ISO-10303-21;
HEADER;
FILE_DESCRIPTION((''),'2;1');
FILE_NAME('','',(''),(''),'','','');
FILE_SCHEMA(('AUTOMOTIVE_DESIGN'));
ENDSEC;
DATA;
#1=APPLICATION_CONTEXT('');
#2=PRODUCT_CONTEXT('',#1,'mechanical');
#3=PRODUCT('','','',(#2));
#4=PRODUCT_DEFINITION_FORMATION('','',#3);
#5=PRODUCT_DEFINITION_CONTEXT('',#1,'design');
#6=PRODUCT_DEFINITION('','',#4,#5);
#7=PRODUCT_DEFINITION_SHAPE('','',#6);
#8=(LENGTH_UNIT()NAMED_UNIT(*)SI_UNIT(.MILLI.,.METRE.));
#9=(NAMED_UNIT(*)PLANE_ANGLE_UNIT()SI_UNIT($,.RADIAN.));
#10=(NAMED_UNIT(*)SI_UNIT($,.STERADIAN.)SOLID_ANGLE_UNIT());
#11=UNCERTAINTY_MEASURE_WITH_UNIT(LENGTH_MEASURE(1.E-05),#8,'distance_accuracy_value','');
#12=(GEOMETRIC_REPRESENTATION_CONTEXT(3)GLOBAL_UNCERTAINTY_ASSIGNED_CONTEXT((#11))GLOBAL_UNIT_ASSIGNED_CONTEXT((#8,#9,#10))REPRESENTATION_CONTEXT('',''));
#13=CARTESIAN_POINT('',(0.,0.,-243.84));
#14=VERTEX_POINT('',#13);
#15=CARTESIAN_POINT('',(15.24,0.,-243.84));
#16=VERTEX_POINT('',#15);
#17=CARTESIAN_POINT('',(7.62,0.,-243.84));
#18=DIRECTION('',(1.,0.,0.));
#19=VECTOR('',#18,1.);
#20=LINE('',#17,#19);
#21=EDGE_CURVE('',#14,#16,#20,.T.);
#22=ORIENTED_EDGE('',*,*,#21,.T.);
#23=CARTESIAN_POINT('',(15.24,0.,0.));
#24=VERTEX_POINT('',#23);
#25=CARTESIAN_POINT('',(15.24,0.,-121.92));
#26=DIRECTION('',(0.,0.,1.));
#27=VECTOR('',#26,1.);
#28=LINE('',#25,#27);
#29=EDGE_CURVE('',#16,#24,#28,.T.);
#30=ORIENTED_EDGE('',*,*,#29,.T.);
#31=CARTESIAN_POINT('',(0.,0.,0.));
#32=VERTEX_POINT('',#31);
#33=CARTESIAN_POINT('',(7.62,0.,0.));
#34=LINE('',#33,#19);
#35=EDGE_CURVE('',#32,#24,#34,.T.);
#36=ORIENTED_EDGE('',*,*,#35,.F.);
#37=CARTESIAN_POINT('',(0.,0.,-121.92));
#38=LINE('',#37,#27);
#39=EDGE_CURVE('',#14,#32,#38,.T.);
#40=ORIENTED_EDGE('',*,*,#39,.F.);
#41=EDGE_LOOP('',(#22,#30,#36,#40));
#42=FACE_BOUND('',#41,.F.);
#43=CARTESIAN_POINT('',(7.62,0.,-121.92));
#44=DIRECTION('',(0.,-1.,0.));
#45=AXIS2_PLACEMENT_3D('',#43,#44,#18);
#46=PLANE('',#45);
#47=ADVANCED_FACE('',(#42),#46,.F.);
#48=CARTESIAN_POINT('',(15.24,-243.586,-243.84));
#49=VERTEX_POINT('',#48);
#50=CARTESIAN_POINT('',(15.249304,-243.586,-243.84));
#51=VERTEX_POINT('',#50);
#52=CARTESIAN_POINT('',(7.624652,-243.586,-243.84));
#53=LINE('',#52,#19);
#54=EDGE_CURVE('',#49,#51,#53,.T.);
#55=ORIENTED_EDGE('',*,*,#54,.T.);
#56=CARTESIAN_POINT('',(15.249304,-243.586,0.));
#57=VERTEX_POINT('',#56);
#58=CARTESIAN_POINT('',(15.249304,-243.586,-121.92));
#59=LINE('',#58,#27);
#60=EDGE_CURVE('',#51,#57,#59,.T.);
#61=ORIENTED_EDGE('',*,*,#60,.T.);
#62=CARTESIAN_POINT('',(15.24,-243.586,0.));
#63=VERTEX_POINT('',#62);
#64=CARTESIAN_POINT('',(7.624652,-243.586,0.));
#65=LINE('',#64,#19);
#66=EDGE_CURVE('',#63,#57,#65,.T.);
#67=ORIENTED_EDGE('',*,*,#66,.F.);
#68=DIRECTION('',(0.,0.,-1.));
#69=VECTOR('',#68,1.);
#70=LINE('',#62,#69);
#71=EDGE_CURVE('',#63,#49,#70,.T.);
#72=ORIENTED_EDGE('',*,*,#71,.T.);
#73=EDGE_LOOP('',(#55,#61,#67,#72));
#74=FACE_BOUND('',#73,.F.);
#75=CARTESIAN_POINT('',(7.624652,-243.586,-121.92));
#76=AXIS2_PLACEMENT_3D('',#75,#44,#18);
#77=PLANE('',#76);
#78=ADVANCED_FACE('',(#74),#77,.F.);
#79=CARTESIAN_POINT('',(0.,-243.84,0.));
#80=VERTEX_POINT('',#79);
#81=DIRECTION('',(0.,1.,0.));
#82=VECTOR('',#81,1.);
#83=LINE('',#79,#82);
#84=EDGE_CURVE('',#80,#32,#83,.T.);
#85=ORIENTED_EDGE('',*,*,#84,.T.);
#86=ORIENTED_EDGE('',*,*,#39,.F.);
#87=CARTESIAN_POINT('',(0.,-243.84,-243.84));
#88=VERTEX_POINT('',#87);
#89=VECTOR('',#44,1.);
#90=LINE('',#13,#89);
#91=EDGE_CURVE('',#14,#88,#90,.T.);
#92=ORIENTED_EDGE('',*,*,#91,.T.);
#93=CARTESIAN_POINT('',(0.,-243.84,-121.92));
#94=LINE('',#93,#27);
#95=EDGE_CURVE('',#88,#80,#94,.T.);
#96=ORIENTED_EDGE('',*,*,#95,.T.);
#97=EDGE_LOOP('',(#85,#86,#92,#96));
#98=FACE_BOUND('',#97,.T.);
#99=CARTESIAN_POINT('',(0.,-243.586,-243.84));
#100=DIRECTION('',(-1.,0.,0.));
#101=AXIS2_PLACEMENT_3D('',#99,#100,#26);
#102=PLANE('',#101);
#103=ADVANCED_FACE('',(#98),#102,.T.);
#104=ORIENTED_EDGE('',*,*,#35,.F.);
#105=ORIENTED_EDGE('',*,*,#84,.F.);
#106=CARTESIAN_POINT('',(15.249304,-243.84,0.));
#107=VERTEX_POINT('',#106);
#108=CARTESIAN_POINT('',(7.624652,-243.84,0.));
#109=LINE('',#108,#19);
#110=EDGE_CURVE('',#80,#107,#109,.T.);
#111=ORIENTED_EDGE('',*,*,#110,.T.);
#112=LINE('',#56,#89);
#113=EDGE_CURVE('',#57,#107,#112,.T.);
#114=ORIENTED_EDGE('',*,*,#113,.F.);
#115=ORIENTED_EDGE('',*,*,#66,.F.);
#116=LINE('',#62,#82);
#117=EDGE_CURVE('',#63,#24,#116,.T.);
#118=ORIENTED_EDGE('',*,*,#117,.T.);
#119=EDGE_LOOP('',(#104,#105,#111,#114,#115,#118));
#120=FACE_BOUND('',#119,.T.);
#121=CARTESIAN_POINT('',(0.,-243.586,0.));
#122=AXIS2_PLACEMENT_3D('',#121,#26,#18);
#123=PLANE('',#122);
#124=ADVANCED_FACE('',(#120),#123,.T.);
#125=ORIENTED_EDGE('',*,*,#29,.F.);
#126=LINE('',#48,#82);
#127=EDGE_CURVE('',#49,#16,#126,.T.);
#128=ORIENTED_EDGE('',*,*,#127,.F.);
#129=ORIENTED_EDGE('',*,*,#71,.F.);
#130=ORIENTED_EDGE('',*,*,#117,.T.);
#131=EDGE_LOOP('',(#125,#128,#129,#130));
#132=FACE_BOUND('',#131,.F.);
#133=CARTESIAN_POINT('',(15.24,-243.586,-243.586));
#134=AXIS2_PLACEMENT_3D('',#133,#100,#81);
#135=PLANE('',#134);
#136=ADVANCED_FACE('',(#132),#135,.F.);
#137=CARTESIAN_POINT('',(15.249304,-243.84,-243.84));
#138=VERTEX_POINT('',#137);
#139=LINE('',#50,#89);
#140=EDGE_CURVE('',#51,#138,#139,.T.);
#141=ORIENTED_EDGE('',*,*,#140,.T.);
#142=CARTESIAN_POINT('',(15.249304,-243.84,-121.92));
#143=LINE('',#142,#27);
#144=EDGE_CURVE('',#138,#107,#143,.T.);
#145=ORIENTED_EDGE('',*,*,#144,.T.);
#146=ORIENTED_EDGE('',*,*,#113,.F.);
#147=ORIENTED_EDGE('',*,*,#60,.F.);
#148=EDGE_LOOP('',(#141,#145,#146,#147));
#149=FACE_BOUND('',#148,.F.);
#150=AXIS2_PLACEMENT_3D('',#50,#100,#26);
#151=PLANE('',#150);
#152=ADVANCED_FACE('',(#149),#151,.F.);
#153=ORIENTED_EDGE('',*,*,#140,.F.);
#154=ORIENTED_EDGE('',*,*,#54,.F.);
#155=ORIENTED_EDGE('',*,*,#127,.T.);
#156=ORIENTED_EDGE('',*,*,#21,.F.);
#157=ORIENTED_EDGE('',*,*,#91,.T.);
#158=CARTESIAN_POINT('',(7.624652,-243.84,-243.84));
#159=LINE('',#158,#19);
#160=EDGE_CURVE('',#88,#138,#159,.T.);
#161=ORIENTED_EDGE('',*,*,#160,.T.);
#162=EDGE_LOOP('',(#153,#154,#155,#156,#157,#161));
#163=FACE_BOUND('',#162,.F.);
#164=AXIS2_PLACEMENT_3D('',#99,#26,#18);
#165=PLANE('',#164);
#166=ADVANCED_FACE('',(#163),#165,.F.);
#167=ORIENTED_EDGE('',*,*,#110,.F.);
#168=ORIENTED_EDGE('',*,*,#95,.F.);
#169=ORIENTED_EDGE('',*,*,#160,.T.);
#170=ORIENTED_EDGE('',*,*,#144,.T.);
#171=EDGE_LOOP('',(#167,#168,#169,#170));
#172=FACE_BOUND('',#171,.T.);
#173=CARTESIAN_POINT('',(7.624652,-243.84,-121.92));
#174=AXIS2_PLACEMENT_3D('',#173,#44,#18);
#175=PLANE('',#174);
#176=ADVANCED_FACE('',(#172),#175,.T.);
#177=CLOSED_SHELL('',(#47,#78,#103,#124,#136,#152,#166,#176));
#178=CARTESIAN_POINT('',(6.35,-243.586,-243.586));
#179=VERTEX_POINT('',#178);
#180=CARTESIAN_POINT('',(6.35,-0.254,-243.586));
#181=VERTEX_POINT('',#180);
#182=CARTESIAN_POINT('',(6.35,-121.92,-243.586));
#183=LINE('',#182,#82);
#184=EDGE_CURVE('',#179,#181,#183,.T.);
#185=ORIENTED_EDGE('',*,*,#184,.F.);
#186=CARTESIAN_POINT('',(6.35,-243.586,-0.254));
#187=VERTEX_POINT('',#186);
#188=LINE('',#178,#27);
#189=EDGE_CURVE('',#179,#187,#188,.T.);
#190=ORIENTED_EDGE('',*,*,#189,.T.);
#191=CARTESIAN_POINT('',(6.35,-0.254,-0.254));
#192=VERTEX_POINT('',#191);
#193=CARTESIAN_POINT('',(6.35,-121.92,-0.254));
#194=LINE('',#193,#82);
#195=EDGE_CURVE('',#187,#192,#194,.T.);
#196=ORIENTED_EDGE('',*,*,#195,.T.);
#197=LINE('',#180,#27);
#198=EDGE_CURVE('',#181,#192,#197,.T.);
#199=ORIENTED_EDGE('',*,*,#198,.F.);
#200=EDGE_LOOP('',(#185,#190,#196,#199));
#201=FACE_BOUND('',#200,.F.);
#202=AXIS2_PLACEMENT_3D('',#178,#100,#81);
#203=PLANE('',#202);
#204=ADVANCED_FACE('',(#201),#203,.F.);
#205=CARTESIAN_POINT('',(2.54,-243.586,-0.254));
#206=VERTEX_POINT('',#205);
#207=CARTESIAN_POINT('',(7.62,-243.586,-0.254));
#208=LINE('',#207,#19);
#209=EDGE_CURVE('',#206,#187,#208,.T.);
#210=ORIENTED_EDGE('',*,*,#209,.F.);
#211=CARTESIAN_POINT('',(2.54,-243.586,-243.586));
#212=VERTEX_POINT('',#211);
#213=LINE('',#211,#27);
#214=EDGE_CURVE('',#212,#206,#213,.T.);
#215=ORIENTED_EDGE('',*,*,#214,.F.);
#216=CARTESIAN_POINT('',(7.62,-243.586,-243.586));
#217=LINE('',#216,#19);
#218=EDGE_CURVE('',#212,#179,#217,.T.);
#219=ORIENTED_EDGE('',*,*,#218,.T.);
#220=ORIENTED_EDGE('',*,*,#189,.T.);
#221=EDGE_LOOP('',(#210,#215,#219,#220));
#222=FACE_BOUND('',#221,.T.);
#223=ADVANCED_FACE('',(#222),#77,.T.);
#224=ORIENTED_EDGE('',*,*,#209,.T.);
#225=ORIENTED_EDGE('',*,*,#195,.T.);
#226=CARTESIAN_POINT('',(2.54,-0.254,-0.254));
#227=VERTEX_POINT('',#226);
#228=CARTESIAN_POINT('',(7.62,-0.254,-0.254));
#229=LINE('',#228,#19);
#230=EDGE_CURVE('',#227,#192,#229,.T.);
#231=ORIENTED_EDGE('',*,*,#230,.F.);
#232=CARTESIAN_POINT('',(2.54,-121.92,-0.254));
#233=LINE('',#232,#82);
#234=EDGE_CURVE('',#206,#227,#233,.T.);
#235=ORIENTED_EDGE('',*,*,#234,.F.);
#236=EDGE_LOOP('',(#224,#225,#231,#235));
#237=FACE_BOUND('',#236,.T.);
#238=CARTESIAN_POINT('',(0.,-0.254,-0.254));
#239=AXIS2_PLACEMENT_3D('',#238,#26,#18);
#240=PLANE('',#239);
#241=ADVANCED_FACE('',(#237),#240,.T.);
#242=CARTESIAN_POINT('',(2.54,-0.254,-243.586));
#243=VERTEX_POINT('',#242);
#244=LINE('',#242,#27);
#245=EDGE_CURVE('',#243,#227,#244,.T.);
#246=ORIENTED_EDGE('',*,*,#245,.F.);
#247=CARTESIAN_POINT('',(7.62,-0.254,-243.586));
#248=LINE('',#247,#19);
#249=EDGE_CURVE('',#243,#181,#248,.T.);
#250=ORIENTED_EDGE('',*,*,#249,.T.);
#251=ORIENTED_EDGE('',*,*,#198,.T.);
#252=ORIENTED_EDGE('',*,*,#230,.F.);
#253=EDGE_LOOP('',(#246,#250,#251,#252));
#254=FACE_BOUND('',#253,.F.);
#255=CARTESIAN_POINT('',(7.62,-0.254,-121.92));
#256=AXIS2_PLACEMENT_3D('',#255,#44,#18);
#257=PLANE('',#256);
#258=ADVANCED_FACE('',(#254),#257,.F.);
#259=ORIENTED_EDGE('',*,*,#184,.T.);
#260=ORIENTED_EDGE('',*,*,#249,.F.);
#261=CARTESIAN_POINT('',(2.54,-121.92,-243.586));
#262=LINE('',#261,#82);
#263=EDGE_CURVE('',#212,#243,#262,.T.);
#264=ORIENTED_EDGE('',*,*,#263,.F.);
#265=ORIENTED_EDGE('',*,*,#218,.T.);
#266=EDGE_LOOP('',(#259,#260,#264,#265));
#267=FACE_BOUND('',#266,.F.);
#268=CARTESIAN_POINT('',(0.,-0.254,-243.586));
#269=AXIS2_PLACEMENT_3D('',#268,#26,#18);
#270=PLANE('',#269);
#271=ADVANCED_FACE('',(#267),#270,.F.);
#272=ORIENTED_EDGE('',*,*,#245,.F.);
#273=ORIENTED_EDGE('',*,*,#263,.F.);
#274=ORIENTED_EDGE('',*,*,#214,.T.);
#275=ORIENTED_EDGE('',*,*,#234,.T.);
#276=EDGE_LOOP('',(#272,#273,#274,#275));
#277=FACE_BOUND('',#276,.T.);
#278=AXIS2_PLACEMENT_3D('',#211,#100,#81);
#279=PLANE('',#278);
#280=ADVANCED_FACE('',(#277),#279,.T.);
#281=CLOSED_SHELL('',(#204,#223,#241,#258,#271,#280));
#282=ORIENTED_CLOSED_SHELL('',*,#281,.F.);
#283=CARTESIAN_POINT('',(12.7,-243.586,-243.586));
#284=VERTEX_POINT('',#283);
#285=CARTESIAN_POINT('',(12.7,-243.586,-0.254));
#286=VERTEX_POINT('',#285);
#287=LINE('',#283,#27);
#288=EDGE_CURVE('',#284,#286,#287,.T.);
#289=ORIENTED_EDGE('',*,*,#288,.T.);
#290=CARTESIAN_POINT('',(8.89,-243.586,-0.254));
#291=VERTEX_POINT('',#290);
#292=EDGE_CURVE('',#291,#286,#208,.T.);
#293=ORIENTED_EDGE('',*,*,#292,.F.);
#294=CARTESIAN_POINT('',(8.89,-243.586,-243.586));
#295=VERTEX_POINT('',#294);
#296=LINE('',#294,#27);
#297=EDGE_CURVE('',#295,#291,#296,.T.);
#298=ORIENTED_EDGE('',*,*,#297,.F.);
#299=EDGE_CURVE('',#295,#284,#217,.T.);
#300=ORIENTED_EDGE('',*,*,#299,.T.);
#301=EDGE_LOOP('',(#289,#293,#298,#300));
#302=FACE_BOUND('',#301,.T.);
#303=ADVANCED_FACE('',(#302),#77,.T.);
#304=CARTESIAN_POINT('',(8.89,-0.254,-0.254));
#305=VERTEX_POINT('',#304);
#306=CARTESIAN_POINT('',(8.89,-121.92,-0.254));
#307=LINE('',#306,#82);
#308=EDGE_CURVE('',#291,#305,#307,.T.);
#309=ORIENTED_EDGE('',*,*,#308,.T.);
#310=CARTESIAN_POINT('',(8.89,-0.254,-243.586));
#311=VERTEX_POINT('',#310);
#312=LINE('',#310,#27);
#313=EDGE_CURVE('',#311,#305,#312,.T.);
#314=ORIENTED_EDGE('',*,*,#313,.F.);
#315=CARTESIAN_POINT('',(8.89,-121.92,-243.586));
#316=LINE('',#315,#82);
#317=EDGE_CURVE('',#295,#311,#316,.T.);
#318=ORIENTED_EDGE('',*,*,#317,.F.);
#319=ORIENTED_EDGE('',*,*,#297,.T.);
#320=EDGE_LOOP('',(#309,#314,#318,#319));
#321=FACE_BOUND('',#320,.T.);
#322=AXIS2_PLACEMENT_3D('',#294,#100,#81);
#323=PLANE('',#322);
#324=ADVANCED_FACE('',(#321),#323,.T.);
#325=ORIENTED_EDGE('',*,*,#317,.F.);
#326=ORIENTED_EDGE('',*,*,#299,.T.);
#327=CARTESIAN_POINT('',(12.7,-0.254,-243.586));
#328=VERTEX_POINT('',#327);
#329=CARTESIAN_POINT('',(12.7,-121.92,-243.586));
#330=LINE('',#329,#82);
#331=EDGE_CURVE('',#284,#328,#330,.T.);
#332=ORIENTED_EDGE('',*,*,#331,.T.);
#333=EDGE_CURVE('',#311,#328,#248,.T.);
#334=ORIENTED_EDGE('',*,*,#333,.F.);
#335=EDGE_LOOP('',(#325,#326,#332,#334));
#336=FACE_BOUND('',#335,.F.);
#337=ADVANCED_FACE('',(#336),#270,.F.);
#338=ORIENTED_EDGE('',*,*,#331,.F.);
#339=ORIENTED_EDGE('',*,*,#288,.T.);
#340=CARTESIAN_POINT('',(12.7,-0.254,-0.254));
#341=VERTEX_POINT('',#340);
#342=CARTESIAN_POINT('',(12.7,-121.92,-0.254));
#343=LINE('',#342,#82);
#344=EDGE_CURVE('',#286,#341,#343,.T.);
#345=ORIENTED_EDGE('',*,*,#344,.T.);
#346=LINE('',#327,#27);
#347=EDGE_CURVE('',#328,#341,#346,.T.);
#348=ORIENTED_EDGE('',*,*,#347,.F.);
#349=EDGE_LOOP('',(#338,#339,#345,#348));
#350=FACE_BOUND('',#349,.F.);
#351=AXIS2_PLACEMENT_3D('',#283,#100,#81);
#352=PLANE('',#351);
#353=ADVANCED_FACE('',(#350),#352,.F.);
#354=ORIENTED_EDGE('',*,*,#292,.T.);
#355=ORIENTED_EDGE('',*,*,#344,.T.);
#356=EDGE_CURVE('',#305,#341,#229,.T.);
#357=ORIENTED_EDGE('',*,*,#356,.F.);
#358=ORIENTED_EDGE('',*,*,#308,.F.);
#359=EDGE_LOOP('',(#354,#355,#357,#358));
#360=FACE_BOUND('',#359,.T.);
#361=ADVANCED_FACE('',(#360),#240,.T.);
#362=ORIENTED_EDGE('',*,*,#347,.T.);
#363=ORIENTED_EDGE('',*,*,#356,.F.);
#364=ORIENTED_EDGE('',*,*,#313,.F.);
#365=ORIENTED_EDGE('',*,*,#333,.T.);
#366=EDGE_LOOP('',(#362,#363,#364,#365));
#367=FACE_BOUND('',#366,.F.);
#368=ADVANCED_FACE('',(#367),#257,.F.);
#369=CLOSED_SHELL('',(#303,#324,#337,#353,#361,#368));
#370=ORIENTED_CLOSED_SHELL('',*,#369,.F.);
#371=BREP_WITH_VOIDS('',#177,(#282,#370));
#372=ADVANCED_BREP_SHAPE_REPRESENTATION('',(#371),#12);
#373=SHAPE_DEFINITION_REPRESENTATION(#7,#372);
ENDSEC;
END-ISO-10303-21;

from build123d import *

# Parameters (mm, degrees)
F0_W     = 15.24
F0_H     = 243.84
F1_DEPTH = 0.254
F2_W     = 15.24
F2_H     = 0.254
F3_DEPTH = 243.332
F4_W     = 15.249304
F4_H     = 243.84
F5_DEPTH = 0.254
F6_W     = 2.54
F6_H     = 243.332
F7_DEPTH = 243.332


with BuildPart() as f1:
    # F0 (on Front) → F1 (new body)
    with BuildSketch(Plane.XZ):
        with Locations((7.62, -121.92)):
            Rectangle(F0_W, F0_H)
    extrude(amount=F1_DEPTH)

    # F2 (on face) → F3 (join)
    with BuildSketch(Plane.XZ.offset(0.254)):
        with Locations((7.62, -0.127)):
            Rectangle(F2_W, F2_H)
        with Locations((7.62, -243.713)):
            Rectangle(F2_W, F2_H)
    extrude(amount=F3_DEPTH)

    # F4 (on face) → F5 (join)
    with BuildSketch(Plane.XZ.offset(243.586)):
        with Locations((7.624652, -121.92)):
            Rectangle(F4_W, F4_H)
    extrude(amount=F5_DEPTH)

    # F6 (on face) → F7 (join)
    with BuildSketch(Plane.XY.offset(-243.586)):
        with Locations((13.97, -121.92)):
            Rectangle(F6_W, F6_H)
        with Locations((7.62, -121.92)):
            Rectangle(F6_W, F6_H)
        with Locations((1.27, -121.92)):
            Rectangle(F6_W, F6_H)
    extrude(amount=F7_DEPTH)


solid = f1.part
